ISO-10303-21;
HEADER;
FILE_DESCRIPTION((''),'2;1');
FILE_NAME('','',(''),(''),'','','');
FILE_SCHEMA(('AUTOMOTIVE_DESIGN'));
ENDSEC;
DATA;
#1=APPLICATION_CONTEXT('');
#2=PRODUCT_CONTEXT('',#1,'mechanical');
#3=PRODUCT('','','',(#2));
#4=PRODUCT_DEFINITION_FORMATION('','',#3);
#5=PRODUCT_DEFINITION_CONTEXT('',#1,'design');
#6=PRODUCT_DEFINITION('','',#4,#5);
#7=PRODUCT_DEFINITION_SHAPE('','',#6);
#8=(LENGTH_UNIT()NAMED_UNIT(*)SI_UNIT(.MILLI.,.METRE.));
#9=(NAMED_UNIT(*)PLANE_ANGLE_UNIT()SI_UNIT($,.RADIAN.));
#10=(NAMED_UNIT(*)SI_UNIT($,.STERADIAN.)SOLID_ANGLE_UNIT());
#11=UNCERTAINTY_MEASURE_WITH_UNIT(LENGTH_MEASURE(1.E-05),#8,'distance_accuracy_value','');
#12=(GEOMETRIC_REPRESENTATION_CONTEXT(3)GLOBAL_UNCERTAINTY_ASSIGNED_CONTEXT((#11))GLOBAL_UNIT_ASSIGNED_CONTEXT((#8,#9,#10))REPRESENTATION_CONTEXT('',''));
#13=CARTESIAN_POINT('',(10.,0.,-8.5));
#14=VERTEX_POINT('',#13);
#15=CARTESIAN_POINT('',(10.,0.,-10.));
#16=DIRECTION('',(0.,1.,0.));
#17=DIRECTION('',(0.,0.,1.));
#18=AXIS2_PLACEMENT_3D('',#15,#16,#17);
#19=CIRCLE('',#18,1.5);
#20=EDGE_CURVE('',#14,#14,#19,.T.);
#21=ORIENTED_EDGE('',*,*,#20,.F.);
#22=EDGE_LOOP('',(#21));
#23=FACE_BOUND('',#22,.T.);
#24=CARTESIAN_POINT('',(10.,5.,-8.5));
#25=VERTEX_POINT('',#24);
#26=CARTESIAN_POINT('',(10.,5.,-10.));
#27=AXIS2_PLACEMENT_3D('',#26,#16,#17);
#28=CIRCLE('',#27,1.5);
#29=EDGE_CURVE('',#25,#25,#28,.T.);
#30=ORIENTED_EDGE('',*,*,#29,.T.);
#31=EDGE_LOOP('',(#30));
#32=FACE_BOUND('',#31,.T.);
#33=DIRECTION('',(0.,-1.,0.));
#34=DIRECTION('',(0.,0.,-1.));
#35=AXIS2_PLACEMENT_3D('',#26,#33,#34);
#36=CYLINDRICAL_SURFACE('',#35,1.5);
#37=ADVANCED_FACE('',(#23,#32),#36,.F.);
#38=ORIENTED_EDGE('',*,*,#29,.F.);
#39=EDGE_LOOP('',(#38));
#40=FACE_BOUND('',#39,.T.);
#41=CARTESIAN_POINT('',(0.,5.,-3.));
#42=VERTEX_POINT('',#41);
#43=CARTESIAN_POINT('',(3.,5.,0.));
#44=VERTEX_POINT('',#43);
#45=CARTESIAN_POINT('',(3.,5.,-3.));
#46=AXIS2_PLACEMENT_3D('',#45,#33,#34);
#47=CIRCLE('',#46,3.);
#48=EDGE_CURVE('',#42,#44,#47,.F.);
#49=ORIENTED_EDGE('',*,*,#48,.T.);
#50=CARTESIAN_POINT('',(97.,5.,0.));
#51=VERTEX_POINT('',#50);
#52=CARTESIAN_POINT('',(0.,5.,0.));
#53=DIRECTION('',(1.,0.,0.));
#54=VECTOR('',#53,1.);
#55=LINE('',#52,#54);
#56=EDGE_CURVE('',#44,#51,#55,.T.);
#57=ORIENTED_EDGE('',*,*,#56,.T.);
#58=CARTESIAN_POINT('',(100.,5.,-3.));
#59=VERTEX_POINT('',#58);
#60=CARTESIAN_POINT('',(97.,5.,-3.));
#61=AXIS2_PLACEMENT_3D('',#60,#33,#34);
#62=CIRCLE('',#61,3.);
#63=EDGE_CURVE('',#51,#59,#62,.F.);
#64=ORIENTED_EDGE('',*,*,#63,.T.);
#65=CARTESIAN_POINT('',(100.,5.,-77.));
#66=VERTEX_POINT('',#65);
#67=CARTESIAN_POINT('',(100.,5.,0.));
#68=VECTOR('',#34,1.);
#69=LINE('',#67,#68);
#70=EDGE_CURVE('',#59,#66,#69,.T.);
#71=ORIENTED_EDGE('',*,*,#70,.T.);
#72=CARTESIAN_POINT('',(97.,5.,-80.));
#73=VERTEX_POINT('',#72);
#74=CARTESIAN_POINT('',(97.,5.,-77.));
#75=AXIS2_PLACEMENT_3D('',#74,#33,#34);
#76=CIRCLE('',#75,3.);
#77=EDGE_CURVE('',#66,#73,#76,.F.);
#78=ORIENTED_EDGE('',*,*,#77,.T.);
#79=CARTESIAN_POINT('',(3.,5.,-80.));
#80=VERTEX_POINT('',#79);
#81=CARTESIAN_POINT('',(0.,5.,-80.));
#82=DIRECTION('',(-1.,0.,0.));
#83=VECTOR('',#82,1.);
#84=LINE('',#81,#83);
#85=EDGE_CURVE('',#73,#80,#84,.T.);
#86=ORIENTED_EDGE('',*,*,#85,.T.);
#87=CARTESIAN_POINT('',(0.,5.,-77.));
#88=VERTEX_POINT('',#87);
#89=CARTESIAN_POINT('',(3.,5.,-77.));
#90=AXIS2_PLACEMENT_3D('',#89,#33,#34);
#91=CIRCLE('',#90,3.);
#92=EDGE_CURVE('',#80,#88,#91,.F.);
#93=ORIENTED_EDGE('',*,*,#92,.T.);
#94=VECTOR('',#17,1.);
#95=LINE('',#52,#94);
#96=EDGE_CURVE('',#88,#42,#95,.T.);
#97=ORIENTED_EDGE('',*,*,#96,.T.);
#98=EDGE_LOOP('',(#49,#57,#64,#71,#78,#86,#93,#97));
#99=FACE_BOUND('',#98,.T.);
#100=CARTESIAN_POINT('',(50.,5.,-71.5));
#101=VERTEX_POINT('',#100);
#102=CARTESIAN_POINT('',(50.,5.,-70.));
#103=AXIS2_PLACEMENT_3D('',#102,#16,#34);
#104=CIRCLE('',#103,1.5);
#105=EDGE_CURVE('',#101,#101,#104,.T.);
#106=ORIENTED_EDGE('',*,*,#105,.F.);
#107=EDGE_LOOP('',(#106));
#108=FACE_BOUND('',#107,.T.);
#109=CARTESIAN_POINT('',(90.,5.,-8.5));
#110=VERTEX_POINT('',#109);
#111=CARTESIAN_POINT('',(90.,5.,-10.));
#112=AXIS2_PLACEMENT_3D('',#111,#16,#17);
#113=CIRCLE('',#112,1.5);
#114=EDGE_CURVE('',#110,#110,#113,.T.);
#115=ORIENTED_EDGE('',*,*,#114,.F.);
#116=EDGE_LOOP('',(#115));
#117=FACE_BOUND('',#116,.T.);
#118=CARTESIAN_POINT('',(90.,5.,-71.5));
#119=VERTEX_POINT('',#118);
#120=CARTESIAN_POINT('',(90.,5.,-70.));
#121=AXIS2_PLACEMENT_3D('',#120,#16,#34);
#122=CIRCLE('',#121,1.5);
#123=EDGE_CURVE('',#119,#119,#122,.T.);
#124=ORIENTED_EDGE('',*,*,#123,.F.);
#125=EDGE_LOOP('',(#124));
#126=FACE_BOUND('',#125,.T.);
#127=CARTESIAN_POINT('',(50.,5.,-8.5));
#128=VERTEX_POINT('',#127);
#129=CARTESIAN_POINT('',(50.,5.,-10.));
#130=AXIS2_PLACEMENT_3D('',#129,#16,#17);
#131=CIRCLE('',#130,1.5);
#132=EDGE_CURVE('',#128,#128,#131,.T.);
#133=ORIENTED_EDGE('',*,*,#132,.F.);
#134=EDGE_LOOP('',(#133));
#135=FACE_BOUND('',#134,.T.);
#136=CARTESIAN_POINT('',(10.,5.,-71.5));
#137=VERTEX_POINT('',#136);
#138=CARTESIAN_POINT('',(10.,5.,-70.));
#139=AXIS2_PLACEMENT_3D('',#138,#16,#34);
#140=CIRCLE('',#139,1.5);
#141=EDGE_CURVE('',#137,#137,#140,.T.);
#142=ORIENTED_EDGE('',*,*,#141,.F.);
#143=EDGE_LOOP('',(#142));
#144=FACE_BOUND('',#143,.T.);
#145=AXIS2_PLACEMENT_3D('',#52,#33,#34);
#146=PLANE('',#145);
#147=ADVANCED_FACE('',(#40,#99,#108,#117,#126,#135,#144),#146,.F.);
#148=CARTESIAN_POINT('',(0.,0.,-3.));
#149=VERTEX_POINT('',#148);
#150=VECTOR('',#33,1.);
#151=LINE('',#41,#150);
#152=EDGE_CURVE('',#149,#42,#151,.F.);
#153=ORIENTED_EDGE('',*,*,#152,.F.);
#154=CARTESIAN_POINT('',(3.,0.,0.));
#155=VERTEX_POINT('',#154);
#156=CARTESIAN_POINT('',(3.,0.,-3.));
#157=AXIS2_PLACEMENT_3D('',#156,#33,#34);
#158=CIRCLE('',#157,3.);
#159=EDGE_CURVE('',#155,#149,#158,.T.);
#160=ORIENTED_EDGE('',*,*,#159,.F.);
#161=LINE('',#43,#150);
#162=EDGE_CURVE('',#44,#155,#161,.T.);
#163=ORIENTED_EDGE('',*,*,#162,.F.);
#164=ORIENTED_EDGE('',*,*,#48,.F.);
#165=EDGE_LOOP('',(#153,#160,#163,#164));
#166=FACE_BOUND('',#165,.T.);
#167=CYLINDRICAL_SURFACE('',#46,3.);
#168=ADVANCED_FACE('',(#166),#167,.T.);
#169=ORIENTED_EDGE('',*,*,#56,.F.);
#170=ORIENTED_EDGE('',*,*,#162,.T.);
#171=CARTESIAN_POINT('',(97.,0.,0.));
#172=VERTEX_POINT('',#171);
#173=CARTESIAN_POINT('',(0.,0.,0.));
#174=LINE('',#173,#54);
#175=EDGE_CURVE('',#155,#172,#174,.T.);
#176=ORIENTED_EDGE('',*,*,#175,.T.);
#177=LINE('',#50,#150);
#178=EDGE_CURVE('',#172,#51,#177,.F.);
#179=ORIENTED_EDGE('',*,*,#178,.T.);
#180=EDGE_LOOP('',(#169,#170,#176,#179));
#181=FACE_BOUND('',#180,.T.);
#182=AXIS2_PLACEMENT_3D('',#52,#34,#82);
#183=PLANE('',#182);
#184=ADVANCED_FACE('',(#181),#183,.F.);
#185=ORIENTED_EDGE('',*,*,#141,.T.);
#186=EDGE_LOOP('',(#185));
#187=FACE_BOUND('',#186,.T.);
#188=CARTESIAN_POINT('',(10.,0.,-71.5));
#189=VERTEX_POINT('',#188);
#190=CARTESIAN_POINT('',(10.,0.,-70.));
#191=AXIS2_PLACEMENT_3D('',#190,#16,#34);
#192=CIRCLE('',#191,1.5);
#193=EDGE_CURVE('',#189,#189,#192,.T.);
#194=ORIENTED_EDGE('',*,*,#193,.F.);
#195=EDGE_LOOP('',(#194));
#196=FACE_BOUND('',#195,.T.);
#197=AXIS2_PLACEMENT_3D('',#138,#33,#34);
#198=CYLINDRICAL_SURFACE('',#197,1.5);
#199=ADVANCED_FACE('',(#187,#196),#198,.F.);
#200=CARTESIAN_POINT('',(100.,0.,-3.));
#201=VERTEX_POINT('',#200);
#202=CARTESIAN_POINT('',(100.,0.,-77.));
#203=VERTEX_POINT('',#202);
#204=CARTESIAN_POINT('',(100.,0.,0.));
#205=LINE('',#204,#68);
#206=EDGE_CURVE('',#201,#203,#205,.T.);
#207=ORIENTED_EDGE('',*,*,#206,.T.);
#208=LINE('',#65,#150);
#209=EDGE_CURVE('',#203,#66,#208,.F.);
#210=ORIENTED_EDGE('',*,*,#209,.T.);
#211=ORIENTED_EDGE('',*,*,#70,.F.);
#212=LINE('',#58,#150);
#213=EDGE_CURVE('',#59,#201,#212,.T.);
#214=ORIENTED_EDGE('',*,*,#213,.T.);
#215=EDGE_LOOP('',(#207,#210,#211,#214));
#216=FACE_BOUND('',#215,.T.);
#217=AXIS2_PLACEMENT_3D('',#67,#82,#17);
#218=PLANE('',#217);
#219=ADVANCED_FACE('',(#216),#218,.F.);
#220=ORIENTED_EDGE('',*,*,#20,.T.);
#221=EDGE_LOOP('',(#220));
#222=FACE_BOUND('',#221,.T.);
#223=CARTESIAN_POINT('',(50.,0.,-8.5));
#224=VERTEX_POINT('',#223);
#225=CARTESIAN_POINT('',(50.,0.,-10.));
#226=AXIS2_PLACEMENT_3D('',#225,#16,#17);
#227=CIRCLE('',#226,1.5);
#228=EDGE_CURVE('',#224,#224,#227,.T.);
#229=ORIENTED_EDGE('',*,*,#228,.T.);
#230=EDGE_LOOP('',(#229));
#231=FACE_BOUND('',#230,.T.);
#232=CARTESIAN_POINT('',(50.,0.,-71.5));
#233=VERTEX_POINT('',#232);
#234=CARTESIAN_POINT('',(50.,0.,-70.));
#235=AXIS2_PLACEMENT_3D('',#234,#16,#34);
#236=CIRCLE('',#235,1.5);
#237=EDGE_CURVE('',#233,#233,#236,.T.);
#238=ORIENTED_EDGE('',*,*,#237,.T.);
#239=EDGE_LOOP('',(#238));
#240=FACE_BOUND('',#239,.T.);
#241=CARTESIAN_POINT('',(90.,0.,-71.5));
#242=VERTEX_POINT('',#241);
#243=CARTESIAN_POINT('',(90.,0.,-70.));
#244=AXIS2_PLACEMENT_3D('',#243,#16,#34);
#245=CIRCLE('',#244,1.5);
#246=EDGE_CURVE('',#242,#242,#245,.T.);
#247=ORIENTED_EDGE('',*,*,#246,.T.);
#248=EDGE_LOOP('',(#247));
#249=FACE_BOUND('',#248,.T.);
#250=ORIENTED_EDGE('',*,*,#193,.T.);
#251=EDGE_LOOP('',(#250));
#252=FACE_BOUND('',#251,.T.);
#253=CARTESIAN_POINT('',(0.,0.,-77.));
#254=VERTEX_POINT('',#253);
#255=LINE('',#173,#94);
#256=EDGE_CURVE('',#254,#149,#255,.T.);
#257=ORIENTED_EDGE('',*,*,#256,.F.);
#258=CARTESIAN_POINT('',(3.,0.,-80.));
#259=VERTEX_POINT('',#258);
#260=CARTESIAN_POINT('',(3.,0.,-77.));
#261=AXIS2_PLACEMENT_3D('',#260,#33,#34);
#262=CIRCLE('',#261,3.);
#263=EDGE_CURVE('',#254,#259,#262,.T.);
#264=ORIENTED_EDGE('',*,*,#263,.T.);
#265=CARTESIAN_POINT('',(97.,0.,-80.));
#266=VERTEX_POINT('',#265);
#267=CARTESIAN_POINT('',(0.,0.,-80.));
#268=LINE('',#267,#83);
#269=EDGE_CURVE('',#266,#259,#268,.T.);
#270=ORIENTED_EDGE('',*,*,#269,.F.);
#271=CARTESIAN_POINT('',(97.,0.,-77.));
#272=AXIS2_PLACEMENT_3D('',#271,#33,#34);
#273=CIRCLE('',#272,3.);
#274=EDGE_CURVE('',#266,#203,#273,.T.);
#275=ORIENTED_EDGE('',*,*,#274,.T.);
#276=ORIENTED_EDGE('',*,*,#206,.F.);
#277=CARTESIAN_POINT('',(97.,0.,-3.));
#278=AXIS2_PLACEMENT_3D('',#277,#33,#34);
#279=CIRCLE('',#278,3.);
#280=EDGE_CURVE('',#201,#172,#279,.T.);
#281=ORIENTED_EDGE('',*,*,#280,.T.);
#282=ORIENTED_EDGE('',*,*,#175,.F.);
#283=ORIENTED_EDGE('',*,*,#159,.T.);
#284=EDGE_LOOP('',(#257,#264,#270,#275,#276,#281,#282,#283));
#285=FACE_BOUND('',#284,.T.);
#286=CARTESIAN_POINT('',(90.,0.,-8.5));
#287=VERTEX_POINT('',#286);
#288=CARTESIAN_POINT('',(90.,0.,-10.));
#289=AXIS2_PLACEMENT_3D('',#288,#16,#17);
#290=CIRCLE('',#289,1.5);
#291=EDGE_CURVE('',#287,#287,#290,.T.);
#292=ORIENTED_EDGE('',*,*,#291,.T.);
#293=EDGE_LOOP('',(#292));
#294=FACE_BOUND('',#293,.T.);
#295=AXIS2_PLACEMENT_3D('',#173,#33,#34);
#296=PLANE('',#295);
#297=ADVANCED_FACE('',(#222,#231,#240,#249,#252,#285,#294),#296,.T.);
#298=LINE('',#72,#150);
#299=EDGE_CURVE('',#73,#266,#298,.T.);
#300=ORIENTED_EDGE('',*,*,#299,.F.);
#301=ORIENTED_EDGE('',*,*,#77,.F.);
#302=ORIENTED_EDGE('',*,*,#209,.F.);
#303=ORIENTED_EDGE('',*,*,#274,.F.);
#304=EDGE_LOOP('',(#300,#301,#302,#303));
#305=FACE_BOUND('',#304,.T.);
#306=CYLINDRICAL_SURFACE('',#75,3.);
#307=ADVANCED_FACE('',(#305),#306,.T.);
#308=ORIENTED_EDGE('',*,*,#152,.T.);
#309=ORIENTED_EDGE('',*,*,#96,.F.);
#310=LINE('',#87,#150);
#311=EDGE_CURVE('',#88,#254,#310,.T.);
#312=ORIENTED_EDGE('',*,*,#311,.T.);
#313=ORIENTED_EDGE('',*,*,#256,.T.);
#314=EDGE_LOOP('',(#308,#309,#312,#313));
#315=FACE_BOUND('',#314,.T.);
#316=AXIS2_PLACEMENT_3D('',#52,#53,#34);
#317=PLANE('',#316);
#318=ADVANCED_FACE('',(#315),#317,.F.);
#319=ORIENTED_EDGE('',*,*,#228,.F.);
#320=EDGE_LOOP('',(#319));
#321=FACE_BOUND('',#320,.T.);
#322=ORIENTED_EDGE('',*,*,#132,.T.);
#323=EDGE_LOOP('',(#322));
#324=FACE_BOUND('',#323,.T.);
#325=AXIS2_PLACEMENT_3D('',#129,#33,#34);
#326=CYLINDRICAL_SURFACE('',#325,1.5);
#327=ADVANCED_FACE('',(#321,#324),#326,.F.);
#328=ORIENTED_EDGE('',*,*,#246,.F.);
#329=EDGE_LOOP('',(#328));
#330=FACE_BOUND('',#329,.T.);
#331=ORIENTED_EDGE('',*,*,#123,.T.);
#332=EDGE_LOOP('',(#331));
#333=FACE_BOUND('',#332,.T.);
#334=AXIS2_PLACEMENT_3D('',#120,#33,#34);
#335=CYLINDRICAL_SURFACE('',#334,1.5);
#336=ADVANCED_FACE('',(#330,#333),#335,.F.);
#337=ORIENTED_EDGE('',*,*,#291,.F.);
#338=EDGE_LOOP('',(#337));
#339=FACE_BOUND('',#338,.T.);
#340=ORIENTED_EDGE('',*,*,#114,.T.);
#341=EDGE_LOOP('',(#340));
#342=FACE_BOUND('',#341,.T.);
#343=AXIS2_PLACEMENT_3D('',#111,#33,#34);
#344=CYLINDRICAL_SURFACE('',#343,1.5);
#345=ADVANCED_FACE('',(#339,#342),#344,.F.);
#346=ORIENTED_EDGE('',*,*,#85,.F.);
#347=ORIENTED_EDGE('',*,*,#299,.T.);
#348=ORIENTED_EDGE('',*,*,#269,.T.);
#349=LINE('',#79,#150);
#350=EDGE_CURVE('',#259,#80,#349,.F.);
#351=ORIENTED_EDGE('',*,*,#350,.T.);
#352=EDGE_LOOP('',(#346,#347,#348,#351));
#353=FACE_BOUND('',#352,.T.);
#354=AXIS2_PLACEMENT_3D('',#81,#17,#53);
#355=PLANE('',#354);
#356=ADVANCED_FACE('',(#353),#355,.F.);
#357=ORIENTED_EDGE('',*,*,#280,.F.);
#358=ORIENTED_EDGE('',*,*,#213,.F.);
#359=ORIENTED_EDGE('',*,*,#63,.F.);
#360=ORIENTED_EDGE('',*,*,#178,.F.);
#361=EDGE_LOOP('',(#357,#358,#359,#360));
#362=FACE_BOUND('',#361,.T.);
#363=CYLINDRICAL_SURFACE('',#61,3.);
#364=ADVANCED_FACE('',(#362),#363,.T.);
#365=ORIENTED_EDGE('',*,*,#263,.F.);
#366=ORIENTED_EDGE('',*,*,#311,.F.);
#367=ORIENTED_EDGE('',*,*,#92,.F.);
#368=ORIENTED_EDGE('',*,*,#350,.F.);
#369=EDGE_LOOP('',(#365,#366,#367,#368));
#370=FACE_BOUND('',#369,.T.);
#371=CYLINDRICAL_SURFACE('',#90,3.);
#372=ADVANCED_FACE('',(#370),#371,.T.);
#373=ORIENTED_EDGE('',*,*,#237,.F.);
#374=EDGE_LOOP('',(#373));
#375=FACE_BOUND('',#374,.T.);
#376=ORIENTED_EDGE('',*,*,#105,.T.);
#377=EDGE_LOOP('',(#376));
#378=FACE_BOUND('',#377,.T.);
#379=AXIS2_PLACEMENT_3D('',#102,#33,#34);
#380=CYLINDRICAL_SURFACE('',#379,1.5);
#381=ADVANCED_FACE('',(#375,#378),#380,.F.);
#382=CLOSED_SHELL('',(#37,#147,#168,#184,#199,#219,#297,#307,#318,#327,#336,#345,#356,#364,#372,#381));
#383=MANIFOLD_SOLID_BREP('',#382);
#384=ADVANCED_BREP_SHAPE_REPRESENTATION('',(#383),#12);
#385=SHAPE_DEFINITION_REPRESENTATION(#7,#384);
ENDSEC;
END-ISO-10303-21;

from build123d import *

# Parameters (mm, degrees)
SKETCH_2_W      = 100
SKETCH_2_H      = 80
SKETCH_2_R      = 1.5
EXTRUDE_1_DEPTH = 5
FILLET_1_R      = 3


with BuildPart() as part:
    # 草图2 → 凸台-拉伸1 (new body)
    with BuildSketch(Plane(origin=(0, 0, 0), x_dir=(1, 0, 0), z_dir=(0, 1, 0))):
        with Locations((50, 40)):
            Rectangle(SKETCH_2_W, SKETCH_2_H)
        with Locations((10, 10)):
            Circle(SKETCH_2_R, mode=Mode.SUBTRACT)
        with Locations((50, 10)):
            Circle(SKETCH_2_R, mode=Mode.SUBTRACT)
        with Locations((90, 10)):
            Circle(SKETCH_2_R, mode=Mode.SUBTRACT)
        with Locations((90, 70)):
            Circle(SKETCH_2_R, mode=Mode.SUBTRACT)
        with Locations((50, 70)):
            Circle(SKETCH_2_R, mode=Mode.SUBTRACT)
        with Locations((10, 70)):
            Circle(SKETCH_2_R, mode=Mode.SUBTRACT)
    extrude(amount=EXTRUDE_1_DEPTH)

    # 圆角1
    fillet_1_edges = [part.edges().sort_by_distance(p)[0] for p in [
        (0, 2.5, -80),
        (100, 2.5, -80),
        (100, 2.5, 0),
        (0, 2.5, 0),
    ]]
    fillet(fillet_1_edges, radius=FILLET_1_R)


solid = part.part
